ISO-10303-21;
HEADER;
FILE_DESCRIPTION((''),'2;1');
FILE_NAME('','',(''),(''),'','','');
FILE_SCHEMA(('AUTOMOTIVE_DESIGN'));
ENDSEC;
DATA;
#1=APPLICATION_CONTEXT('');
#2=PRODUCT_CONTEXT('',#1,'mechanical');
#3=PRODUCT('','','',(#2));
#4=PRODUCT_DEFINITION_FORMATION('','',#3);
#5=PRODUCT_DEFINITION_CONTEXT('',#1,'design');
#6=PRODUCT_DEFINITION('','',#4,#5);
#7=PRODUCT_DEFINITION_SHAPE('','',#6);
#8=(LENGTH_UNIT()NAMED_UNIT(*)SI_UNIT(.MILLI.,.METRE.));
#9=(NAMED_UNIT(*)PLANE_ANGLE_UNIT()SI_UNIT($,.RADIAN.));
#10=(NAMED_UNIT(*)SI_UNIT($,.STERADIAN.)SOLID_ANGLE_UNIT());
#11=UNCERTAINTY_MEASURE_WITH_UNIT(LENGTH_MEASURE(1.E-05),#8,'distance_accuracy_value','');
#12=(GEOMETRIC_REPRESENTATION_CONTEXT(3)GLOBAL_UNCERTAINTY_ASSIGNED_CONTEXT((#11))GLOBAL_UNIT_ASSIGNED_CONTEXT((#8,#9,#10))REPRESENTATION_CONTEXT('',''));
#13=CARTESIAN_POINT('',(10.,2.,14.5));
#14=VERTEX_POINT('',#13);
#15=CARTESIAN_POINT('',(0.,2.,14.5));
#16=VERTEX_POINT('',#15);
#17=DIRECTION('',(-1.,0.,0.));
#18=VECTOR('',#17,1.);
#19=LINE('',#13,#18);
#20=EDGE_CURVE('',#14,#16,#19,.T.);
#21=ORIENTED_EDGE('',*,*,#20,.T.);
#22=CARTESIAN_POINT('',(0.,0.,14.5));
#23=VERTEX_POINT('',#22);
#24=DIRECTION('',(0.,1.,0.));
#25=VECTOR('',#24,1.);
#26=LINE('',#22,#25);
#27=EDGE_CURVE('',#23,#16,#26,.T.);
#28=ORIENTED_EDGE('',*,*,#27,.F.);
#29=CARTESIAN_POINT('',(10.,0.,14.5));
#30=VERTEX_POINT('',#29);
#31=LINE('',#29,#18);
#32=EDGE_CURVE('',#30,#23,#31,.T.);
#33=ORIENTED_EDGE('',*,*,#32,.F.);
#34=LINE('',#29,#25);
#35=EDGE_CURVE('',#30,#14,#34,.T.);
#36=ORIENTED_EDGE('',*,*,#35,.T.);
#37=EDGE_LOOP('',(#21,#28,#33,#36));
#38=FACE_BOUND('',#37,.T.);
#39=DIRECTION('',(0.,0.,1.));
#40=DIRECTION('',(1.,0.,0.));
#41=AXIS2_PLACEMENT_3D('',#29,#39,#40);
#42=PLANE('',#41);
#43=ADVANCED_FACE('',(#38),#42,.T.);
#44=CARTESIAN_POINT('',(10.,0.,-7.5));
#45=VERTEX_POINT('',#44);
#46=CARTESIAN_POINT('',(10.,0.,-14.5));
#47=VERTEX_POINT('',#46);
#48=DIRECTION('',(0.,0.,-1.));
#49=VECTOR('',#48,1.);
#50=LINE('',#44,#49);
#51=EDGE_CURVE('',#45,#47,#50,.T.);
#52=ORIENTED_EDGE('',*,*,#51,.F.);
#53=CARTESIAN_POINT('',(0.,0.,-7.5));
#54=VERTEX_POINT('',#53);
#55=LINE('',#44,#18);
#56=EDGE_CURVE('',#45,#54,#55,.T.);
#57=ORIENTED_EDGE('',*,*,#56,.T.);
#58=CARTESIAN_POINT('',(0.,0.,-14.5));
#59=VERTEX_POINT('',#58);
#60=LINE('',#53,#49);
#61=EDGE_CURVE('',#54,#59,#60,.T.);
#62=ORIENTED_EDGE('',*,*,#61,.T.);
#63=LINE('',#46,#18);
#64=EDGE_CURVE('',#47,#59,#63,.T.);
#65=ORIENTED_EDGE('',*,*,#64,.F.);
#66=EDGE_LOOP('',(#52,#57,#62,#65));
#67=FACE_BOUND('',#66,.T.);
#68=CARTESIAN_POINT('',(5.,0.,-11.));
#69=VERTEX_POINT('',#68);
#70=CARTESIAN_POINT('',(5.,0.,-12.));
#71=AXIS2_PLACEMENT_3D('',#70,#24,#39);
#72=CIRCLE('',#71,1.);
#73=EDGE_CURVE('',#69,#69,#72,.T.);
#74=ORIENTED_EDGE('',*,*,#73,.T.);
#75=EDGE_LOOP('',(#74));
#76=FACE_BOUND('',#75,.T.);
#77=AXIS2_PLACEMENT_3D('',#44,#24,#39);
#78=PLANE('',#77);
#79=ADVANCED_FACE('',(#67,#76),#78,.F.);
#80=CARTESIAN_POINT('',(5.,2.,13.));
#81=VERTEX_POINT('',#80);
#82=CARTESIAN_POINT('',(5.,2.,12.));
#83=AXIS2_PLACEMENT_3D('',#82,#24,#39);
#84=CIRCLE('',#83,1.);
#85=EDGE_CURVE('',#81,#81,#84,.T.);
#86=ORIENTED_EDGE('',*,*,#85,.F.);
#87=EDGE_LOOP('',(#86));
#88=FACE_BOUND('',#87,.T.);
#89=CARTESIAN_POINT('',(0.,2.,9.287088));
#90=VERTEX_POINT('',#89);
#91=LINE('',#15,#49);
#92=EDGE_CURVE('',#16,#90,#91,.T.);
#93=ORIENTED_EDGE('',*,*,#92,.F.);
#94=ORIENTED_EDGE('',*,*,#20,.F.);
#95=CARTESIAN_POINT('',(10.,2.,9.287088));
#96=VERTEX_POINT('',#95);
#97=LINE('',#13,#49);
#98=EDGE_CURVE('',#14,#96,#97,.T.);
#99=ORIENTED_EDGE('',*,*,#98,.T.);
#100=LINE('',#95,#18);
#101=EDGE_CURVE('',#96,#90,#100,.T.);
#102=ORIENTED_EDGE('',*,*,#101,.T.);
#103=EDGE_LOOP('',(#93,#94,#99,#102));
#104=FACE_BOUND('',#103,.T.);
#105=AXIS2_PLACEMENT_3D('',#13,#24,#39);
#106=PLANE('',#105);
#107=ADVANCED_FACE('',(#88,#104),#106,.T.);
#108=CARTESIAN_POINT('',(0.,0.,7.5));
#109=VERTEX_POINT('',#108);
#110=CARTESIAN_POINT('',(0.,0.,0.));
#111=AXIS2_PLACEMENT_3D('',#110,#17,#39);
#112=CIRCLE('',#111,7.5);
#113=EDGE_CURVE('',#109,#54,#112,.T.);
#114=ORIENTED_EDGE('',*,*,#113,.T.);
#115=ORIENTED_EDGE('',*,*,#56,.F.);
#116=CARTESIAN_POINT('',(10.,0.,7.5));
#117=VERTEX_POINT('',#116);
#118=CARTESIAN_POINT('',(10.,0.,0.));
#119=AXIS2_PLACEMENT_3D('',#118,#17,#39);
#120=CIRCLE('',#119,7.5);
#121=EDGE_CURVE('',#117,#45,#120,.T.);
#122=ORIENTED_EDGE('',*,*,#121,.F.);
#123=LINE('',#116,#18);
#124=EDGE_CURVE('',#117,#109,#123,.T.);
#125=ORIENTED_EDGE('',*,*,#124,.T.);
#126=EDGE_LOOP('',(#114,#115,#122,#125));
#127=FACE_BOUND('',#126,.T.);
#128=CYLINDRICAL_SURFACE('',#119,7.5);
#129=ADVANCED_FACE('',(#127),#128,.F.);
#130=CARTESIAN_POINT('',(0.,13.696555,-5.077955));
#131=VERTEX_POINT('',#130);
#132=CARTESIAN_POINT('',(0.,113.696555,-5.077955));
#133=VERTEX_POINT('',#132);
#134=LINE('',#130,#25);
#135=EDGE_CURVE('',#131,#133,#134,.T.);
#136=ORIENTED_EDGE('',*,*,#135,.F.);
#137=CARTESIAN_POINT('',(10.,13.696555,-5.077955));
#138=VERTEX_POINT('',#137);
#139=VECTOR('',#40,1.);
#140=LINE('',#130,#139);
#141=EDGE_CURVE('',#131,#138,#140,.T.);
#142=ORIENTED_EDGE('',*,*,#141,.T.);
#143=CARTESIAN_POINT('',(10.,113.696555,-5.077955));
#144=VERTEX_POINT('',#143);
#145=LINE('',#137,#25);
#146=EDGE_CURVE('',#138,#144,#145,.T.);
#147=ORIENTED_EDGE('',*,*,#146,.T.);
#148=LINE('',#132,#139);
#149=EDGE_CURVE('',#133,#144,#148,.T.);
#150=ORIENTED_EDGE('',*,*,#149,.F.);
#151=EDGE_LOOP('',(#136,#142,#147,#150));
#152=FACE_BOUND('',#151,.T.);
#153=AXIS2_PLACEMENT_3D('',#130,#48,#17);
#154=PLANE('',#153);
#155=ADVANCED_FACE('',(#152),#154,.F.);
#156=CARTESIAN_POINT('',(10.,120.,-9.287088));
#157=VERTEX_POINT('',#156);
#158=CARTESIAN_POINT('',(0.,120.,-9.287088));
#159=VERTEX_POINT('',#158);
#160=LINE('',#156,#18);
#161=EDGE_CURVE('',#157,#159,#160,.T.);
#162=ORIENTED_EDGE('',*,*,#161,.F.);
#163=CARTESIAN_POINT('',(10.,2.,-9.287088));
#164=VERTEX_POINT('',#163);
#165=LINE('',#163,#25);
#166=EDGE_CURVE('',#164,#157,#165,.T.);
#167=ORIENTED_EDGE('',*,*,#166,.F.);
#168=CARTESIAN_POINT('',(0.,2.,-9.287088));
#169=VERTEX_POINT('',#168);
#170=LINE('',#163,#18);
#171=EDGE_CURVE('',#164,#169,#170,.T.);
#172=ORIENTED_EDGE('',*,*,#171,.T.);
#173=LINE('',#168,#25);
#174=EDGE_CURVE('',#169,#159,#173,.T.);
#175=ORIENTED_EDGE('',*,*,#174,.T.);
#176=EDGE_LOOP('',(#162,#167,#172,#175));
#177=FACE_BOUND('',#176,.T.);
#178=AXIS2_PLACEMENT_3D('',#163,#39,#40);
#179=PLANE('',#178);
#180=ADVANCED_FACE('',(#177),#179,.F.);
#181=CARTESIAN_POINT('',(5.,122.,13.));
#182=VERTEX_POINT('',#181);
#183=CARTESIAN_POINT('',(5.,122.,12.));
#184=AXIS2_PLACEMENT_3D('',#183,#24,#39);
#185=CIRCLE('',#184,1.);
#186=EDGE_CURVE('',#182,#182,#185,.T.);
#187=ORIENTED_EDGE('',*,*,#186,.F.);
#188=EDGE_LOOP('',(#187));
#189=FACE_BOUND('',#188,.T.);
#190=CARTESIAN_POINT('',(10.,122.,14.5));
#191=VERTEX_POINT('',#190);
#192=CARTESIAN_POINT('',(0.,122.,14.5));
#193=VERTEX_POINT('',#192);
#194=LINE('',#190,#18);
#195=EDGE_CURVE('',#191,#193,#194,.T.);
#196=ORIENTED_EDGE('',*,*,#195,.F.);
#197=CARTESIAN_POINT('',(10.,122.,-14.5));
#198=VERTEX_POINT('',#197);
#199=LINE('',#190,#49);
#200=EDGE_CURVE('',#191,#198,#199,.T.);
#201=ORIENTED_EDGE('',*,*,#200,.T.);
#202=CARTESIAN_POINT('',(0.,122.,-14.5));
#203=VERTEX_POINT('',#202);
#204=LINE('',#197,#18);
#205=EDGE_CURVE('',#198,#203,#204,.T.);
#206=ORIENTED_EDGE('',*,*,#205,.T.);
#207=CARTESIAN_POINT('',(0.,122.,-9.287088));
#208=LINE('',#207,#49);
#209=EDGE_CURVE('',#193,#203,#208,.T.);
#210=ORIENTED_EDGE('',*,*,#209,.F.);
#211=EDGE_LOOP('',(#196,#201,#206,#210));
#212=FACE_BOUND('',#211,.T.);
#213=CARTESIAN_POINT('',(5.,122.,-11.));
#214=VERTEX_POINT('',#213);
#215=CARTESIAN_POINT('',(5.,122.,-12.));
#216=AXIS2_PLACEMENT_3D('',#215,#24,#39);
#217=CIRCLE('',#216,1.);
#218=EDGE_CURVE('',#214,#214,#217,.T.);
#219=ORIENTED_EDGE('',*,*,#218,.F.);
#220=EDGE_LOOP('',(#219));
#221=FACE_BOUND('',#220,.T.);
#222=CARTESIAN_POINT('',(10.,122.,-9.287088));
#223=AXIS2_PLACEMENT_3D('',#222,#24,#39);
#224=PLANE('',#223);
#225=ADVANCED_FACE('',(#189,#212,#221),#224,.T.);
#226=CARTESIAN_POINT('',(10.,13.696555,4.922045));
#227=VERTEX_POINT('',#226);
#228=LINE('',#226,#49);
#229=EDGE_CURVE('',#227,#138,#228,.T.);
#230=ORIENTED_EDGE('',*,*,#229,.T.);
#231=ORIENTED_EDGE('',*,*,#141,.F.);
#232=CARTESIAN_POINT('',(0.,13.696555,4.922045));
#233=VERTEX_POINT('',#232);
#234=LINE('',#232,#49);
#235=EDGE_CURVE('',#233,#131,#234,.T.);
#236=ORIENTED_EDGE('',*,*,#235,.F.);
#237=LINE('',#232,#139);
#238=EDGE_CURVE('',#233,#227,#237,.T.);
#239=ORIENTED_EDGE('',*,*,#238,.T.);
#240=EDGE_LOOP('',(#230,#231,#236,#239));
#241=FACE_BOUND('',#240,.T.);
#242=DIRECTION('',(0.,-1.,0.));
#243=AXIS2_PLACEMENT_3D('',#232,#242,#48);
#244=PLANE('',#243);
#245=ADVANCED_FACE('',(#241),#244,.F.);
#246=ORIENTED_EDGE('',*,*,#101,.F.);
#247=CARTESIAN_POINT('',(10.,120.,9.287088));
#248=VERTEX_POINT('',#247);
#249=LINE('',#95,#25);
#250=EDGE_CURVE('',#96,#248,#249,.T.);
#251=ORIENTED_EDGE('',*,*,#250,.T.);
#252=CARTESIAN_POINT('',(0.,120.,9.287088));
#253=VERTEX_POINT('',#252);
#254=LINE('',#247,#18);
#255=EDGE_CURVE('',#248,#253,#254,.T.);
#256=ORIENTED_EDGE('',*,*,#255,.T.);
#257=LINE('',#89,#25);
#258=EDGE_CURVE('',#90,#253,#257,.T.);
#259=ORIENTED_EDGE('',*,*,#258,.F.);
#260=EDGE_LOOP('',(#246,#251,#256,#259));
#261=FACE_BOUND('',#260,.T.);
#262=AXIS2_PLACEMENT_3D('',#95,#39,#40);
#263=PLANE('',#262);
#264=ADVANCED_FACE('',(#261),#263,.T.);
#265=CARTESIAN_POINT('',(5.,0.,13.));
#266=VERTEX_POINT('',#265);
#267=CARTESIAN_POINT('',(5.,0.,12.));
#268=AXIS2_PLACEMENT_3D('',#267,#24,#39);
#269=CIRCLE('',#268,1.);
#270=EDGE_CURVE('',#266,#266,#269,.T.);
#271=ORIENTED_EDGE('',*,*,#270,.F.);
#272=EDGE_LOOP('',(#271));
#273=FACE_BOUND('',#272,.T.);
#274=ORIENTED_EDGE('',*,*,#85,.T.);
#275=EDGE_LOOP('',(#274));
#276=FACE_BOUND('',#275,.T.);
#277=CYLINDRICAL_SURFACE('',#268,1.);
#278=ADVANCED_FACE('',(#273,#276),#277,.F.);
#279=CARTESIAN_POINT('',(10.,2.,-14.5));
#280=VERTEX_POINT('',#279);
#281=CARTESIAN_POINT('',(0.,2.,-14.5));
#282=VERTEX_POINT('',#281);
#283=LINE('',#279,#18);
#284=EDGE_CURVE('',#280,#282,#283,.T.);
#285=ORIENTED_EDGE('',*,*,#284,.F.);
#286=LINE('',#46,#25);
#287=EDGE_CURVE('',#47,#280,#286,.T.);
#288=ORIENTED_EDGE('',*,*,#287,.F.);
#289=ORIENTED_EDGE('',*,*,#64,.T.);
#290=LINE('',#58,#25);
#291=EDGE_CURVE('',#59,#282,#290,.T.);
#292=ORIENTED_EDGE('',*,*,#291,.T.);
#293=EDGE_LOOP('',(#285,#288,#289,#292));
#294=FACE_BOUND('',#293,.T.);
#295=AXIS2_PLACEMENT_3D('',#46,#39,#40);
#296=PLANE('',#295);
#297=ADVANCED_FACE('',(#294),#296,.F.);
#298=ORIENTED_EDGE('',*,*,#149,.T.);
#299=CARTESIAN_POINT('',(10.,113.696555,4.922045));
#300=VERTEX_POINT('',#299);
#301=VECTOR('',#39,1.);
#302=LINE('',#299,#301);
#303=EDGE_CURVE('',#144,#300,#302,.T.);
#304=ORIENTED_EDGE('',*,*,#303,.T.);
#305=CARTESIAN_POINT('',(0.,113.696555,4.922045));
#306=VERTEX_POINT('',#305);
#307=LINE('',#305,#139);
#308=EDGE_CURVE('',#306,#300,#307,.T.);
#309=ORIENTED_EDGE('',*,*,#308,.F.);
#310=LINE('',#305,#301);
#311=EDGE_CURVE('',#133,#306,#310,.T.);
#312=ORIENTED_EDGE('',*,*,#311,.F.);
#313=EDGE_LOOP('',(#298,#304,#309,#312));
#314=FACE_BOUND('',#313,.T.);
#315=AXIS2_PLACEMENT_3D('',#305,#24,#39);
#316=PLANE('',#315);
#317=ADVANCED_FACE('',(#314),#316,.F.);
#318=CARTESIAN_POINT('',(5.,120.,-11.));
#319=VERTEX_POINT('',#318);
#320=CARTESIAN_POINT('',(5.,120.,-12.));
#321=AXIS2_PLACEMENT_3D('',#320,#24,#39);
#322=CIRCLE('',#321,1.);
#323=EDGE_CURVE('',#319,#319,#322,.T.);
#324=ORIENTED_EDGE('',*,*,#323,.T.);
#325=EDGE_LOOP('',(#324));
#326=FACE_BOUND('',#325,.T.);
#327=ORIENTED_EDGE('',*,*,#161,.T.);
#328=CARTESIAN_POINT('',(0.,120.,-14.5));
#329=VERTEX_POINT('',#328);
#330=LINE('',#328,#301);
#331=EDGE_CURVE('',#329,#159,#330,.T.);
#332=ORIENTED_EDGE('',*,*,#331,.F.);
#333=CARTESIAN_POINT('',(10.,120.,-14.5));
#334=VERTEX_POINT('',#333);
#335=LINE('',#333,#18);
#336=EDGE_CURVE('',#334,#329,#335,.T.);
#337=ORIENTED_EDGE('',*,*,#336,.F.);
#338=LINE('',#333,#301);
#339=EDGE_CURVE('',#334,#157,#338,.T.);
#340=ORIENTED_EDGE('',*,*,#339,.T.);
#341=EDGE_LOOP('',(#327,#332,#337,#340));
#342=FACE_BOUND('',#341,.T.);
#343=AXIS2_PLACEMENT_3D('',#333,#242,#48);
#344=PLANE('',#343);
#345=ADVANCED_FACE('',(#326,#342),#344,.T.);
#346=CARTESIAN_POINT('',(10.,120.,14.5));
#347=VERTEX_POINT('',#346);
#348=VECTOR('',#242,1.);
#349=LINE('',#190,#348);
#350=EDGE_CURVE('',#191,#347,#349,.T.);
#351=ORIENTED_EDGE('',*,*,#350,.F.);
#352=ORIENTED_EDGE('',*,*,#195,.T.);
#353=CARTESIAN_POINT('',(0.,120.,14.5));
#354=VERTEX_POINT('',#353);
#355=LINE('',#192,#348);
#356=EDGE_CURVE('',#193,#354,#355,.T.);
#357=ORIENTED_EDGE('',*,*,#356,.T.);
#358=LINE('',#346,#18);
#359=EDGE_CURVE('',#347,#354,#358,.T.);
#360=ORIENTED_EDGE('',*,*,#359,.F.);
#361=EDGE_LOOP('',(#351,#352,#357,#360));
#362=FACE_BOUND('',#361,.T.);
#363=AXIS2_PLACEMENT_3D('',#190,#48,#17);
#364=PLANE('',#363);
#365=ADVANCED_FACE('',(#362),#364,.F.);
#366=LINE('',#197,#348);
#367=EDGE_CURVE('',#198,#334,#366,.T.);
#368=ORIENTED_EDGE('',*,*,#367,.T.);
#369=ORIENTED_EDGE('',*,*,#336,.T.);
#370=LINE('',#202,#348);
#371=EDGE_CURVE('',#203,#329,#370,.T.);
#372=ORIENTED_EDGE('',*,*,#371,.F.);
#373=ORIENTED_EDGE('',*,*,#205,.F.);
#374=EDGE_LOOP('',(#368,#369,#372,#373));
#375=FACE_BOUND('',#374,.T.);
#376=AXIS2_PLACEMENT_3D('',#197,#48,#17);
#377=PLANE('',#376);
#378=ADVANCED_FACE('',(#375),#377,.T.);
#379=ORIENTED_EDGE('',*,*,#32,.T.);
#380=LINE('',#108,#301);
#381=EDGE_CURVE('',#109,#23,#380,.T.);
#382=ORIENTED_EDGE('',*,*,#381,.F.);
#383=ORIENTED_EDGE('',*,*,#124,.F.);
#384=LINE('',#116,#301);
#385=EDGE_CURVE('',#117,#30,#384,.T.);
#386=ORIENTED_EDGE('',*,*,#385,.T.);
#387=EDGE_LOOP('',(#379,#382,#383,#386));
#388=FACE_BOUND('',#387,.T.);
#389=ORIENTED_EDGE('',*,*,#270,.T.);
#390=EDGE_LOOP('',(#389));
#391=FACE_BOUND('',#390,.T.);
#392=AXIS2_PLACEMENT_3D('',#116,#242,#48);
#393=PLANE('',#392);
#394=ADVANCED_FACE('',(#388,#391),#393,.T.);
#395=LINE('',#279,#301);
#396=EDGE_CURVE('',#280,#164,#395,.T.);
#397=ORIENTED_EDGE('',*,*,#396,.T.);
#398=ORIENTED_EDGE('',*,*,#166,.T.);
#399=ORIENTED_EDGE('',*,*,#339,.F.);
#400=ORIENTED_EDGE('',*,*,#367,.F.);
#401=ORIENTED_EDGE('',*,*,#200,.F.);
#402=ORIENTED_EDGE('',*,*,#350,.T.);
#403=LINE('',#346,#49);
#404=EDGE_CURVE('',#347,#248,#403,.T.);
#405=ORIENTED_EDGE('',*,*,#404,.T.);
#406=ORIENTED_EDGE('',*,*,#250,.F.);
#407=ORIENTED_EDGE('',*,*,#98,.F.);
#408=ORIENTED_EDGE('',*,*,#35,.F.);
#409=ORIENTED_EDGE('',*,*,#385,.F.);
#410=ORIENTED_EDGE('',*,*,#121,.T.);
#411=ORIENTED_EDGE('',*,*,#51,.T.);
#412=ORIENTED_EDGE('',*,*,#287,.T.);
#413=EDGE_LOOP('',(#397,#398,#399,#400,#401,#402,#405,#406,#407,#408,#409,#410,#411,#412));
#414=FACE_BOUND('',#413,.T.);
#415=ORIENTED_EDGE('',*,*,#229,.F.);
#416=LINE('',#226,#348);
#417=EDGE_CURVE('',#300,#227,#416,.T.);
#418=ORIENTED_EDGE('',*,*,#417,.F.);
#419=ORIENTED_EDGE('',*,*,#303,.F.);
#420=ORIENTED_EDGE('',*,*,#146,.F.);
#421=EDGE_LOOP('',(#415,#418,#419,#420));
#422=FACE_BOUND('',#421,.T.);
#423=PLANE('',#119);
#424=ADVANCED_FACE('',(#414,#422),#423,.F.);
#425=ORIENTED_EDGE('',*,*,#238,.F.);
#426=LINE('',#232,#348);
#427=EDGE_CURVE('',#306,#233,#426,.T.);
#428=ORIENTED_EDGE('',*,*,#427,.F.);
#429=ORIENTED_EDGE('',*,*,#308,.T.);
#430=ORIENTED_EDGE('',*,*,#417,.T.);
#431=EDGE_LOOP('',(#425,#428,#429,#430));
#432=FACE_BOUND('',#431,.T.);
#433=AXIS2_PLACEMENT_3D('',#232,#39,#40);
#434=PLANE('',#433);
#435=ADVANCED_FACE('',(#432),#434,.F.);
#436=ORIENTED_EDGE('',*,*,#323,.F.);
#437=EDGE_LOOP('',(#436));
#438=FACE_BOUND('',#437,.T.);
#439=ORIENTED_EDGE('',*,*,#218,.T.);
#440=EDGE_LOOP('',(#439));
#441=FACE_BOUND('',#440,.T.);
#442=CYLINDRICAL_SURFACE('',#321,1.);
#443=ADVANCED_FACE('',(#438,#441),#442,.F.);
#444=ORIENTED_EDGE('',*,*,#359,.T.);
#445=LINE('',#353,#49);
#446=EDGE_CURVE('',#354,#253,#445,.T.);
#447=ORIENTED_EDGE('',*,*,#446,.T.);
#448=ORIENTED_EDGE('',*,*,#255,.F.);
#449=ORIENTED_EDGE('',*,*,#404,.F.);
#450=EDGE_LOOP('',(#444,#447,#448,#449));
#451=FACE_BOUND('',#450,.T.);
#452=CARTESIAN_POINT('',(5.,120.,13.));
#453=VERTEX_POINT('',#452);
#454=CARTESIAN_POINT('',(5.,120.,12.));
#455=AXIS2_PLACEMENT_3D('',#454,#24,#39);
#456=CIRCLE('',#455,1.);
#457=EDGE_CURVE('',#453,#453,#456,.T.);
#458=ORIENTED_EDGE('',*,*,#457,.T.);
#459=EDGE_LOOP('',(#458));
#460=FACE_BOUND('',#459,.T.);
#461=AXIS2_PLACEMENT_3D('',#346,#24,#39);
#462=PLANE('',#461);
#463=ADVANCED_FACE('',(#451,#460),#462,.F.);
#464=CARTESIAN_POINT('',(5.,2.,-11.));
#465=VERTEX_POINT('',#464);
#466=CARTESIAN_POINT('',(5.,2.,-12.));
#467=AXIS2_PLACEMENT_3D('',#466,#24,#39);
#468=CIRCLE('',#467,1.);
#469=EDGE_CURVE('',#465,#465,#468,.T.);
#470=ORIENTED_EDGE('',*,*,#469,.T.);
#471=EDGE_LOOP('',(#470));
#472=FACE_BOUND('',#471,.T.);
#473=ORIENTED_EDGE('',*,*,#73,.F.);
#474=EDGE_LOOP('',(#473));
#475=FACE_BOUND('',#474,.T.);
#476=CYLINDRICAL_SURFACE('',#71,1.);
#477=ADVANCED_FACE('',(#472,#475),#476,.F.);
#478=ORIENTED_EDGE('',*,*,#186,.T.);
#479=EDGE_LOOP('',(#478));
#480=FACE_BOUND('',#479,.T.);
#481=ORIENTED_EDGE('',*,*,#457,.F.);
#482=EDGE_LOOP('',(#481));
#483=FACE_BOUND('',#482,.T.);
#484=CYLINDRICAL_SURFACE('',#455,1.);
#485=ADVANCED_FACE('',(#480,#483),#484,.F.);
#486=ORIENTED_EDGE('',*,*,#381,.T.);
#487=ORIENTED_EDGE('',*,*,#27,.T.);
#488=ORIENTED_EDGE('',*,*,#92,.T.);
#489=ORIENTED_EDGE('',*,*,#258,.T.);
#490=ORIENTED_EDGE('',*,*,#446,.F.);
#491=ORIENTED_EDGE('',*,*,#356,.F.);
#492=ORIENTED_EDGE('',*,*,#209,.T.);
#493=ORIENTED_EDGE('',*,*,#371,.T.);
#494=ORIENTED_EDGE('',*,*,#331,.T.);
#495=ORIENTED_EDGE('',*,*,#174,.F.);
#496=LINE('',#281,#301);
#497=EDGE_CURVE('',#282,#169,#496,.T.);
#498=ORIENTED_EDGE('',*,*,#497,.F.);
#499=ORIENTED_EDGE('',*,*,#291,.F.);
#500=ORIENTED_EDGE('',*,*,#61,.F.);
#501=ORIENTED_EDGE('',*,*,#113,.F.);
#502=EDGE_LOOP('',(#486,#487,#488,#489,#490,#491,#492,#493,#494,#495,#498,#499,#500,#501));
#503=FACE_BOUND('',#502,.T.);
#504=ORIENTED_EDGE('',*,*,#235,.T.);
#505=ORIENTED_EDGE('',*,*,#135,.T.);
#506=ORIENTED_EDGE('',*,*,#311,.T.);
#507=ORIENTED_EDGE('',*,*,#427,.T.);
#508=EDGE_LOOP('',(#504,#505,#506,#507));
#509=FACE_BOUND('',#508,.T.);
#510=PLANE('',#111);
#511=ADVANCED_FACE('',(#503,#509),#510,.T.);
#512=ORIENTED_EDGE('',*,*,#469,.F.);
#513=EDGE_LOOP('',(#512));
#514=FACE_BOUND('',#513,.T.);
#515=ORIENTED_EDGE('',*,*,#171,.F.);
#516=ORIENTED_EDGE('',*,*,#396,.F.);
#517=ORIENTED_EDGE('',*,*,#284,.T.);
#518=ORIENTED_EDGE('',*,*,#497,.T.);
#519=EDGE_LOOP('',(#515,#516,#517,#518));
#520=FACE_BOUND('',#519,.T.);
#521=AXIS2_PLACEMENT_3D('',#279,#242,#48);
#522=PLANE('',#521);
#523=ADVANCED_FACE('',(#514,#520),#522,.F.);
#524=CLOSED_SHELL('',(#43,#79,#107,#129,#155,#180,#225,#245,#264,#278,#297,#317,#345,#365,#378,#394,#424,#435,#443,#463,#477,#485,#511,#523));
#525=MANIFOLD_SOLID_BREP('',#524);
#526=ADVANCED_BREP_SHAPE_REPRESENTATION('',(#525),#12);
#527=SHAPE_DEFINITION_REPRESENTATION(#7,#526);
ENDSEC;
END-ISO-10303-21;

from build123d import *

# Parameters (mm, degrees)
BOSS_EXTRUDE3_DEPTH = 10
SKETCH8_W           = 10
SKETCH8_H           = 100
CUT_EXTRUDE1_DEPTH  = 10
SKETCH9_R           = 1
CUT_EXTRUDE2_DEPTH  = 2
SKETCH11_R          = 1
CUT_EXTRUDE3_DEPTH  = 2
LPATTERN1_COUNT     = 2
LPATTERN1_PITCH     = 120


with BuildPart() as part:
    # Sketch1 → Boss-Extrude3 (new body)
    with BuildSketch(Plane(origin=(0, 0, 0), x_dir=(0, 0, -1), z_dir=(1, 0, 0))):
        with BuildLine():
            Line((7.5, 0), (14.5, 0))
            Line((14.5, 0), (14.5, 2))
            Line((14.5, 2), (9.287087811, 2))
            Line((9.287087811, 2), (9.287087811, 120))
            Line((9.287087811, 120), (14.5, 120))
            Line((14.5, 120), (14.5, 122))
            Line((14.5, 122), (9.287087811, 122))
            Line((9.287087811, 122), (-9.287087811, 122))
            Line((-9.287087811, 122), (-14.5, 122))
            Line((-14.5, 122), (-14.5, 120))
            Line((-14.5, 120), (-9.287087811, 120))
            Line((-9.287087811, 120), (-9.287087811, 2))
            Line((-9.287087811, 2), (-14.5, 2))
            Line((-14.5, 2), (-14.5, 0))
            Line((-14.5, 0), (-7.5, 0))
            ThreePointArc((-7.5, 0), (0, 7.5), (7.5, 0))
        make_face()
    extrude(amount=BOSS_EXTRUDE3_DEPTH)

    # Sketch8 → Cut-Extrude1 (cut)
    with BuildSketch(Plane(origin=(10, 0, 0), x_dir=(0, 0, -1), z_dir=(1, 0, 0))):
        with Locations((0.077954642, 63.696555082)):
            Rectangle(SKETCH8_W, SKETCH8_H)
    extrude(amount=-CUT_EXTRUDE1_DEPTH, mode=Mode.SUBTRACT)

    # Sketch9 → Cut-Extrude2 (cut)
    with BuildSketch(Plane(origin=(0, 2, 0), x_dir=(1, 0, 0), z_dir=(0, 1, 0))):
        with Locations(Location((5, 12, 0), (0, 0, 270))):
            Circle(SKETCH9_R)
    cut_extrude2 = extrude(amount=-CUT_EXTRUDE2_DEPTH, mode=Mode.SUBTRACT)

    # Sketch11 → Cut-Extrude3 (cut)
    with BuildSketch(Plane(origin=(0, 2, 0), x_dir=(1, 0, 0), z_dir=(0, 1, 0))):
        with Locations(Location((5, -12, 0), (0, 0, 270))):
            Circle(SKETCH11_R)
    cut_extrude3 = extrude(amount=-CUT_EXTRUDE3_DEPTH, mode=Mode.SUBTRACT)

    # LPattern1: Cut-Extrude2, Cut-Extrude3 ×2
    with Locations(*[(0, i * LPATTERN1_PITCH, 0) for i in range(1, LPATTERN1_COUNT)]):
        add(cut_extrude2, mode=Mode.SUBTRACT)
        add(cut_extrude3, mode=Mode.SUBTRACT)


solid = part.part
